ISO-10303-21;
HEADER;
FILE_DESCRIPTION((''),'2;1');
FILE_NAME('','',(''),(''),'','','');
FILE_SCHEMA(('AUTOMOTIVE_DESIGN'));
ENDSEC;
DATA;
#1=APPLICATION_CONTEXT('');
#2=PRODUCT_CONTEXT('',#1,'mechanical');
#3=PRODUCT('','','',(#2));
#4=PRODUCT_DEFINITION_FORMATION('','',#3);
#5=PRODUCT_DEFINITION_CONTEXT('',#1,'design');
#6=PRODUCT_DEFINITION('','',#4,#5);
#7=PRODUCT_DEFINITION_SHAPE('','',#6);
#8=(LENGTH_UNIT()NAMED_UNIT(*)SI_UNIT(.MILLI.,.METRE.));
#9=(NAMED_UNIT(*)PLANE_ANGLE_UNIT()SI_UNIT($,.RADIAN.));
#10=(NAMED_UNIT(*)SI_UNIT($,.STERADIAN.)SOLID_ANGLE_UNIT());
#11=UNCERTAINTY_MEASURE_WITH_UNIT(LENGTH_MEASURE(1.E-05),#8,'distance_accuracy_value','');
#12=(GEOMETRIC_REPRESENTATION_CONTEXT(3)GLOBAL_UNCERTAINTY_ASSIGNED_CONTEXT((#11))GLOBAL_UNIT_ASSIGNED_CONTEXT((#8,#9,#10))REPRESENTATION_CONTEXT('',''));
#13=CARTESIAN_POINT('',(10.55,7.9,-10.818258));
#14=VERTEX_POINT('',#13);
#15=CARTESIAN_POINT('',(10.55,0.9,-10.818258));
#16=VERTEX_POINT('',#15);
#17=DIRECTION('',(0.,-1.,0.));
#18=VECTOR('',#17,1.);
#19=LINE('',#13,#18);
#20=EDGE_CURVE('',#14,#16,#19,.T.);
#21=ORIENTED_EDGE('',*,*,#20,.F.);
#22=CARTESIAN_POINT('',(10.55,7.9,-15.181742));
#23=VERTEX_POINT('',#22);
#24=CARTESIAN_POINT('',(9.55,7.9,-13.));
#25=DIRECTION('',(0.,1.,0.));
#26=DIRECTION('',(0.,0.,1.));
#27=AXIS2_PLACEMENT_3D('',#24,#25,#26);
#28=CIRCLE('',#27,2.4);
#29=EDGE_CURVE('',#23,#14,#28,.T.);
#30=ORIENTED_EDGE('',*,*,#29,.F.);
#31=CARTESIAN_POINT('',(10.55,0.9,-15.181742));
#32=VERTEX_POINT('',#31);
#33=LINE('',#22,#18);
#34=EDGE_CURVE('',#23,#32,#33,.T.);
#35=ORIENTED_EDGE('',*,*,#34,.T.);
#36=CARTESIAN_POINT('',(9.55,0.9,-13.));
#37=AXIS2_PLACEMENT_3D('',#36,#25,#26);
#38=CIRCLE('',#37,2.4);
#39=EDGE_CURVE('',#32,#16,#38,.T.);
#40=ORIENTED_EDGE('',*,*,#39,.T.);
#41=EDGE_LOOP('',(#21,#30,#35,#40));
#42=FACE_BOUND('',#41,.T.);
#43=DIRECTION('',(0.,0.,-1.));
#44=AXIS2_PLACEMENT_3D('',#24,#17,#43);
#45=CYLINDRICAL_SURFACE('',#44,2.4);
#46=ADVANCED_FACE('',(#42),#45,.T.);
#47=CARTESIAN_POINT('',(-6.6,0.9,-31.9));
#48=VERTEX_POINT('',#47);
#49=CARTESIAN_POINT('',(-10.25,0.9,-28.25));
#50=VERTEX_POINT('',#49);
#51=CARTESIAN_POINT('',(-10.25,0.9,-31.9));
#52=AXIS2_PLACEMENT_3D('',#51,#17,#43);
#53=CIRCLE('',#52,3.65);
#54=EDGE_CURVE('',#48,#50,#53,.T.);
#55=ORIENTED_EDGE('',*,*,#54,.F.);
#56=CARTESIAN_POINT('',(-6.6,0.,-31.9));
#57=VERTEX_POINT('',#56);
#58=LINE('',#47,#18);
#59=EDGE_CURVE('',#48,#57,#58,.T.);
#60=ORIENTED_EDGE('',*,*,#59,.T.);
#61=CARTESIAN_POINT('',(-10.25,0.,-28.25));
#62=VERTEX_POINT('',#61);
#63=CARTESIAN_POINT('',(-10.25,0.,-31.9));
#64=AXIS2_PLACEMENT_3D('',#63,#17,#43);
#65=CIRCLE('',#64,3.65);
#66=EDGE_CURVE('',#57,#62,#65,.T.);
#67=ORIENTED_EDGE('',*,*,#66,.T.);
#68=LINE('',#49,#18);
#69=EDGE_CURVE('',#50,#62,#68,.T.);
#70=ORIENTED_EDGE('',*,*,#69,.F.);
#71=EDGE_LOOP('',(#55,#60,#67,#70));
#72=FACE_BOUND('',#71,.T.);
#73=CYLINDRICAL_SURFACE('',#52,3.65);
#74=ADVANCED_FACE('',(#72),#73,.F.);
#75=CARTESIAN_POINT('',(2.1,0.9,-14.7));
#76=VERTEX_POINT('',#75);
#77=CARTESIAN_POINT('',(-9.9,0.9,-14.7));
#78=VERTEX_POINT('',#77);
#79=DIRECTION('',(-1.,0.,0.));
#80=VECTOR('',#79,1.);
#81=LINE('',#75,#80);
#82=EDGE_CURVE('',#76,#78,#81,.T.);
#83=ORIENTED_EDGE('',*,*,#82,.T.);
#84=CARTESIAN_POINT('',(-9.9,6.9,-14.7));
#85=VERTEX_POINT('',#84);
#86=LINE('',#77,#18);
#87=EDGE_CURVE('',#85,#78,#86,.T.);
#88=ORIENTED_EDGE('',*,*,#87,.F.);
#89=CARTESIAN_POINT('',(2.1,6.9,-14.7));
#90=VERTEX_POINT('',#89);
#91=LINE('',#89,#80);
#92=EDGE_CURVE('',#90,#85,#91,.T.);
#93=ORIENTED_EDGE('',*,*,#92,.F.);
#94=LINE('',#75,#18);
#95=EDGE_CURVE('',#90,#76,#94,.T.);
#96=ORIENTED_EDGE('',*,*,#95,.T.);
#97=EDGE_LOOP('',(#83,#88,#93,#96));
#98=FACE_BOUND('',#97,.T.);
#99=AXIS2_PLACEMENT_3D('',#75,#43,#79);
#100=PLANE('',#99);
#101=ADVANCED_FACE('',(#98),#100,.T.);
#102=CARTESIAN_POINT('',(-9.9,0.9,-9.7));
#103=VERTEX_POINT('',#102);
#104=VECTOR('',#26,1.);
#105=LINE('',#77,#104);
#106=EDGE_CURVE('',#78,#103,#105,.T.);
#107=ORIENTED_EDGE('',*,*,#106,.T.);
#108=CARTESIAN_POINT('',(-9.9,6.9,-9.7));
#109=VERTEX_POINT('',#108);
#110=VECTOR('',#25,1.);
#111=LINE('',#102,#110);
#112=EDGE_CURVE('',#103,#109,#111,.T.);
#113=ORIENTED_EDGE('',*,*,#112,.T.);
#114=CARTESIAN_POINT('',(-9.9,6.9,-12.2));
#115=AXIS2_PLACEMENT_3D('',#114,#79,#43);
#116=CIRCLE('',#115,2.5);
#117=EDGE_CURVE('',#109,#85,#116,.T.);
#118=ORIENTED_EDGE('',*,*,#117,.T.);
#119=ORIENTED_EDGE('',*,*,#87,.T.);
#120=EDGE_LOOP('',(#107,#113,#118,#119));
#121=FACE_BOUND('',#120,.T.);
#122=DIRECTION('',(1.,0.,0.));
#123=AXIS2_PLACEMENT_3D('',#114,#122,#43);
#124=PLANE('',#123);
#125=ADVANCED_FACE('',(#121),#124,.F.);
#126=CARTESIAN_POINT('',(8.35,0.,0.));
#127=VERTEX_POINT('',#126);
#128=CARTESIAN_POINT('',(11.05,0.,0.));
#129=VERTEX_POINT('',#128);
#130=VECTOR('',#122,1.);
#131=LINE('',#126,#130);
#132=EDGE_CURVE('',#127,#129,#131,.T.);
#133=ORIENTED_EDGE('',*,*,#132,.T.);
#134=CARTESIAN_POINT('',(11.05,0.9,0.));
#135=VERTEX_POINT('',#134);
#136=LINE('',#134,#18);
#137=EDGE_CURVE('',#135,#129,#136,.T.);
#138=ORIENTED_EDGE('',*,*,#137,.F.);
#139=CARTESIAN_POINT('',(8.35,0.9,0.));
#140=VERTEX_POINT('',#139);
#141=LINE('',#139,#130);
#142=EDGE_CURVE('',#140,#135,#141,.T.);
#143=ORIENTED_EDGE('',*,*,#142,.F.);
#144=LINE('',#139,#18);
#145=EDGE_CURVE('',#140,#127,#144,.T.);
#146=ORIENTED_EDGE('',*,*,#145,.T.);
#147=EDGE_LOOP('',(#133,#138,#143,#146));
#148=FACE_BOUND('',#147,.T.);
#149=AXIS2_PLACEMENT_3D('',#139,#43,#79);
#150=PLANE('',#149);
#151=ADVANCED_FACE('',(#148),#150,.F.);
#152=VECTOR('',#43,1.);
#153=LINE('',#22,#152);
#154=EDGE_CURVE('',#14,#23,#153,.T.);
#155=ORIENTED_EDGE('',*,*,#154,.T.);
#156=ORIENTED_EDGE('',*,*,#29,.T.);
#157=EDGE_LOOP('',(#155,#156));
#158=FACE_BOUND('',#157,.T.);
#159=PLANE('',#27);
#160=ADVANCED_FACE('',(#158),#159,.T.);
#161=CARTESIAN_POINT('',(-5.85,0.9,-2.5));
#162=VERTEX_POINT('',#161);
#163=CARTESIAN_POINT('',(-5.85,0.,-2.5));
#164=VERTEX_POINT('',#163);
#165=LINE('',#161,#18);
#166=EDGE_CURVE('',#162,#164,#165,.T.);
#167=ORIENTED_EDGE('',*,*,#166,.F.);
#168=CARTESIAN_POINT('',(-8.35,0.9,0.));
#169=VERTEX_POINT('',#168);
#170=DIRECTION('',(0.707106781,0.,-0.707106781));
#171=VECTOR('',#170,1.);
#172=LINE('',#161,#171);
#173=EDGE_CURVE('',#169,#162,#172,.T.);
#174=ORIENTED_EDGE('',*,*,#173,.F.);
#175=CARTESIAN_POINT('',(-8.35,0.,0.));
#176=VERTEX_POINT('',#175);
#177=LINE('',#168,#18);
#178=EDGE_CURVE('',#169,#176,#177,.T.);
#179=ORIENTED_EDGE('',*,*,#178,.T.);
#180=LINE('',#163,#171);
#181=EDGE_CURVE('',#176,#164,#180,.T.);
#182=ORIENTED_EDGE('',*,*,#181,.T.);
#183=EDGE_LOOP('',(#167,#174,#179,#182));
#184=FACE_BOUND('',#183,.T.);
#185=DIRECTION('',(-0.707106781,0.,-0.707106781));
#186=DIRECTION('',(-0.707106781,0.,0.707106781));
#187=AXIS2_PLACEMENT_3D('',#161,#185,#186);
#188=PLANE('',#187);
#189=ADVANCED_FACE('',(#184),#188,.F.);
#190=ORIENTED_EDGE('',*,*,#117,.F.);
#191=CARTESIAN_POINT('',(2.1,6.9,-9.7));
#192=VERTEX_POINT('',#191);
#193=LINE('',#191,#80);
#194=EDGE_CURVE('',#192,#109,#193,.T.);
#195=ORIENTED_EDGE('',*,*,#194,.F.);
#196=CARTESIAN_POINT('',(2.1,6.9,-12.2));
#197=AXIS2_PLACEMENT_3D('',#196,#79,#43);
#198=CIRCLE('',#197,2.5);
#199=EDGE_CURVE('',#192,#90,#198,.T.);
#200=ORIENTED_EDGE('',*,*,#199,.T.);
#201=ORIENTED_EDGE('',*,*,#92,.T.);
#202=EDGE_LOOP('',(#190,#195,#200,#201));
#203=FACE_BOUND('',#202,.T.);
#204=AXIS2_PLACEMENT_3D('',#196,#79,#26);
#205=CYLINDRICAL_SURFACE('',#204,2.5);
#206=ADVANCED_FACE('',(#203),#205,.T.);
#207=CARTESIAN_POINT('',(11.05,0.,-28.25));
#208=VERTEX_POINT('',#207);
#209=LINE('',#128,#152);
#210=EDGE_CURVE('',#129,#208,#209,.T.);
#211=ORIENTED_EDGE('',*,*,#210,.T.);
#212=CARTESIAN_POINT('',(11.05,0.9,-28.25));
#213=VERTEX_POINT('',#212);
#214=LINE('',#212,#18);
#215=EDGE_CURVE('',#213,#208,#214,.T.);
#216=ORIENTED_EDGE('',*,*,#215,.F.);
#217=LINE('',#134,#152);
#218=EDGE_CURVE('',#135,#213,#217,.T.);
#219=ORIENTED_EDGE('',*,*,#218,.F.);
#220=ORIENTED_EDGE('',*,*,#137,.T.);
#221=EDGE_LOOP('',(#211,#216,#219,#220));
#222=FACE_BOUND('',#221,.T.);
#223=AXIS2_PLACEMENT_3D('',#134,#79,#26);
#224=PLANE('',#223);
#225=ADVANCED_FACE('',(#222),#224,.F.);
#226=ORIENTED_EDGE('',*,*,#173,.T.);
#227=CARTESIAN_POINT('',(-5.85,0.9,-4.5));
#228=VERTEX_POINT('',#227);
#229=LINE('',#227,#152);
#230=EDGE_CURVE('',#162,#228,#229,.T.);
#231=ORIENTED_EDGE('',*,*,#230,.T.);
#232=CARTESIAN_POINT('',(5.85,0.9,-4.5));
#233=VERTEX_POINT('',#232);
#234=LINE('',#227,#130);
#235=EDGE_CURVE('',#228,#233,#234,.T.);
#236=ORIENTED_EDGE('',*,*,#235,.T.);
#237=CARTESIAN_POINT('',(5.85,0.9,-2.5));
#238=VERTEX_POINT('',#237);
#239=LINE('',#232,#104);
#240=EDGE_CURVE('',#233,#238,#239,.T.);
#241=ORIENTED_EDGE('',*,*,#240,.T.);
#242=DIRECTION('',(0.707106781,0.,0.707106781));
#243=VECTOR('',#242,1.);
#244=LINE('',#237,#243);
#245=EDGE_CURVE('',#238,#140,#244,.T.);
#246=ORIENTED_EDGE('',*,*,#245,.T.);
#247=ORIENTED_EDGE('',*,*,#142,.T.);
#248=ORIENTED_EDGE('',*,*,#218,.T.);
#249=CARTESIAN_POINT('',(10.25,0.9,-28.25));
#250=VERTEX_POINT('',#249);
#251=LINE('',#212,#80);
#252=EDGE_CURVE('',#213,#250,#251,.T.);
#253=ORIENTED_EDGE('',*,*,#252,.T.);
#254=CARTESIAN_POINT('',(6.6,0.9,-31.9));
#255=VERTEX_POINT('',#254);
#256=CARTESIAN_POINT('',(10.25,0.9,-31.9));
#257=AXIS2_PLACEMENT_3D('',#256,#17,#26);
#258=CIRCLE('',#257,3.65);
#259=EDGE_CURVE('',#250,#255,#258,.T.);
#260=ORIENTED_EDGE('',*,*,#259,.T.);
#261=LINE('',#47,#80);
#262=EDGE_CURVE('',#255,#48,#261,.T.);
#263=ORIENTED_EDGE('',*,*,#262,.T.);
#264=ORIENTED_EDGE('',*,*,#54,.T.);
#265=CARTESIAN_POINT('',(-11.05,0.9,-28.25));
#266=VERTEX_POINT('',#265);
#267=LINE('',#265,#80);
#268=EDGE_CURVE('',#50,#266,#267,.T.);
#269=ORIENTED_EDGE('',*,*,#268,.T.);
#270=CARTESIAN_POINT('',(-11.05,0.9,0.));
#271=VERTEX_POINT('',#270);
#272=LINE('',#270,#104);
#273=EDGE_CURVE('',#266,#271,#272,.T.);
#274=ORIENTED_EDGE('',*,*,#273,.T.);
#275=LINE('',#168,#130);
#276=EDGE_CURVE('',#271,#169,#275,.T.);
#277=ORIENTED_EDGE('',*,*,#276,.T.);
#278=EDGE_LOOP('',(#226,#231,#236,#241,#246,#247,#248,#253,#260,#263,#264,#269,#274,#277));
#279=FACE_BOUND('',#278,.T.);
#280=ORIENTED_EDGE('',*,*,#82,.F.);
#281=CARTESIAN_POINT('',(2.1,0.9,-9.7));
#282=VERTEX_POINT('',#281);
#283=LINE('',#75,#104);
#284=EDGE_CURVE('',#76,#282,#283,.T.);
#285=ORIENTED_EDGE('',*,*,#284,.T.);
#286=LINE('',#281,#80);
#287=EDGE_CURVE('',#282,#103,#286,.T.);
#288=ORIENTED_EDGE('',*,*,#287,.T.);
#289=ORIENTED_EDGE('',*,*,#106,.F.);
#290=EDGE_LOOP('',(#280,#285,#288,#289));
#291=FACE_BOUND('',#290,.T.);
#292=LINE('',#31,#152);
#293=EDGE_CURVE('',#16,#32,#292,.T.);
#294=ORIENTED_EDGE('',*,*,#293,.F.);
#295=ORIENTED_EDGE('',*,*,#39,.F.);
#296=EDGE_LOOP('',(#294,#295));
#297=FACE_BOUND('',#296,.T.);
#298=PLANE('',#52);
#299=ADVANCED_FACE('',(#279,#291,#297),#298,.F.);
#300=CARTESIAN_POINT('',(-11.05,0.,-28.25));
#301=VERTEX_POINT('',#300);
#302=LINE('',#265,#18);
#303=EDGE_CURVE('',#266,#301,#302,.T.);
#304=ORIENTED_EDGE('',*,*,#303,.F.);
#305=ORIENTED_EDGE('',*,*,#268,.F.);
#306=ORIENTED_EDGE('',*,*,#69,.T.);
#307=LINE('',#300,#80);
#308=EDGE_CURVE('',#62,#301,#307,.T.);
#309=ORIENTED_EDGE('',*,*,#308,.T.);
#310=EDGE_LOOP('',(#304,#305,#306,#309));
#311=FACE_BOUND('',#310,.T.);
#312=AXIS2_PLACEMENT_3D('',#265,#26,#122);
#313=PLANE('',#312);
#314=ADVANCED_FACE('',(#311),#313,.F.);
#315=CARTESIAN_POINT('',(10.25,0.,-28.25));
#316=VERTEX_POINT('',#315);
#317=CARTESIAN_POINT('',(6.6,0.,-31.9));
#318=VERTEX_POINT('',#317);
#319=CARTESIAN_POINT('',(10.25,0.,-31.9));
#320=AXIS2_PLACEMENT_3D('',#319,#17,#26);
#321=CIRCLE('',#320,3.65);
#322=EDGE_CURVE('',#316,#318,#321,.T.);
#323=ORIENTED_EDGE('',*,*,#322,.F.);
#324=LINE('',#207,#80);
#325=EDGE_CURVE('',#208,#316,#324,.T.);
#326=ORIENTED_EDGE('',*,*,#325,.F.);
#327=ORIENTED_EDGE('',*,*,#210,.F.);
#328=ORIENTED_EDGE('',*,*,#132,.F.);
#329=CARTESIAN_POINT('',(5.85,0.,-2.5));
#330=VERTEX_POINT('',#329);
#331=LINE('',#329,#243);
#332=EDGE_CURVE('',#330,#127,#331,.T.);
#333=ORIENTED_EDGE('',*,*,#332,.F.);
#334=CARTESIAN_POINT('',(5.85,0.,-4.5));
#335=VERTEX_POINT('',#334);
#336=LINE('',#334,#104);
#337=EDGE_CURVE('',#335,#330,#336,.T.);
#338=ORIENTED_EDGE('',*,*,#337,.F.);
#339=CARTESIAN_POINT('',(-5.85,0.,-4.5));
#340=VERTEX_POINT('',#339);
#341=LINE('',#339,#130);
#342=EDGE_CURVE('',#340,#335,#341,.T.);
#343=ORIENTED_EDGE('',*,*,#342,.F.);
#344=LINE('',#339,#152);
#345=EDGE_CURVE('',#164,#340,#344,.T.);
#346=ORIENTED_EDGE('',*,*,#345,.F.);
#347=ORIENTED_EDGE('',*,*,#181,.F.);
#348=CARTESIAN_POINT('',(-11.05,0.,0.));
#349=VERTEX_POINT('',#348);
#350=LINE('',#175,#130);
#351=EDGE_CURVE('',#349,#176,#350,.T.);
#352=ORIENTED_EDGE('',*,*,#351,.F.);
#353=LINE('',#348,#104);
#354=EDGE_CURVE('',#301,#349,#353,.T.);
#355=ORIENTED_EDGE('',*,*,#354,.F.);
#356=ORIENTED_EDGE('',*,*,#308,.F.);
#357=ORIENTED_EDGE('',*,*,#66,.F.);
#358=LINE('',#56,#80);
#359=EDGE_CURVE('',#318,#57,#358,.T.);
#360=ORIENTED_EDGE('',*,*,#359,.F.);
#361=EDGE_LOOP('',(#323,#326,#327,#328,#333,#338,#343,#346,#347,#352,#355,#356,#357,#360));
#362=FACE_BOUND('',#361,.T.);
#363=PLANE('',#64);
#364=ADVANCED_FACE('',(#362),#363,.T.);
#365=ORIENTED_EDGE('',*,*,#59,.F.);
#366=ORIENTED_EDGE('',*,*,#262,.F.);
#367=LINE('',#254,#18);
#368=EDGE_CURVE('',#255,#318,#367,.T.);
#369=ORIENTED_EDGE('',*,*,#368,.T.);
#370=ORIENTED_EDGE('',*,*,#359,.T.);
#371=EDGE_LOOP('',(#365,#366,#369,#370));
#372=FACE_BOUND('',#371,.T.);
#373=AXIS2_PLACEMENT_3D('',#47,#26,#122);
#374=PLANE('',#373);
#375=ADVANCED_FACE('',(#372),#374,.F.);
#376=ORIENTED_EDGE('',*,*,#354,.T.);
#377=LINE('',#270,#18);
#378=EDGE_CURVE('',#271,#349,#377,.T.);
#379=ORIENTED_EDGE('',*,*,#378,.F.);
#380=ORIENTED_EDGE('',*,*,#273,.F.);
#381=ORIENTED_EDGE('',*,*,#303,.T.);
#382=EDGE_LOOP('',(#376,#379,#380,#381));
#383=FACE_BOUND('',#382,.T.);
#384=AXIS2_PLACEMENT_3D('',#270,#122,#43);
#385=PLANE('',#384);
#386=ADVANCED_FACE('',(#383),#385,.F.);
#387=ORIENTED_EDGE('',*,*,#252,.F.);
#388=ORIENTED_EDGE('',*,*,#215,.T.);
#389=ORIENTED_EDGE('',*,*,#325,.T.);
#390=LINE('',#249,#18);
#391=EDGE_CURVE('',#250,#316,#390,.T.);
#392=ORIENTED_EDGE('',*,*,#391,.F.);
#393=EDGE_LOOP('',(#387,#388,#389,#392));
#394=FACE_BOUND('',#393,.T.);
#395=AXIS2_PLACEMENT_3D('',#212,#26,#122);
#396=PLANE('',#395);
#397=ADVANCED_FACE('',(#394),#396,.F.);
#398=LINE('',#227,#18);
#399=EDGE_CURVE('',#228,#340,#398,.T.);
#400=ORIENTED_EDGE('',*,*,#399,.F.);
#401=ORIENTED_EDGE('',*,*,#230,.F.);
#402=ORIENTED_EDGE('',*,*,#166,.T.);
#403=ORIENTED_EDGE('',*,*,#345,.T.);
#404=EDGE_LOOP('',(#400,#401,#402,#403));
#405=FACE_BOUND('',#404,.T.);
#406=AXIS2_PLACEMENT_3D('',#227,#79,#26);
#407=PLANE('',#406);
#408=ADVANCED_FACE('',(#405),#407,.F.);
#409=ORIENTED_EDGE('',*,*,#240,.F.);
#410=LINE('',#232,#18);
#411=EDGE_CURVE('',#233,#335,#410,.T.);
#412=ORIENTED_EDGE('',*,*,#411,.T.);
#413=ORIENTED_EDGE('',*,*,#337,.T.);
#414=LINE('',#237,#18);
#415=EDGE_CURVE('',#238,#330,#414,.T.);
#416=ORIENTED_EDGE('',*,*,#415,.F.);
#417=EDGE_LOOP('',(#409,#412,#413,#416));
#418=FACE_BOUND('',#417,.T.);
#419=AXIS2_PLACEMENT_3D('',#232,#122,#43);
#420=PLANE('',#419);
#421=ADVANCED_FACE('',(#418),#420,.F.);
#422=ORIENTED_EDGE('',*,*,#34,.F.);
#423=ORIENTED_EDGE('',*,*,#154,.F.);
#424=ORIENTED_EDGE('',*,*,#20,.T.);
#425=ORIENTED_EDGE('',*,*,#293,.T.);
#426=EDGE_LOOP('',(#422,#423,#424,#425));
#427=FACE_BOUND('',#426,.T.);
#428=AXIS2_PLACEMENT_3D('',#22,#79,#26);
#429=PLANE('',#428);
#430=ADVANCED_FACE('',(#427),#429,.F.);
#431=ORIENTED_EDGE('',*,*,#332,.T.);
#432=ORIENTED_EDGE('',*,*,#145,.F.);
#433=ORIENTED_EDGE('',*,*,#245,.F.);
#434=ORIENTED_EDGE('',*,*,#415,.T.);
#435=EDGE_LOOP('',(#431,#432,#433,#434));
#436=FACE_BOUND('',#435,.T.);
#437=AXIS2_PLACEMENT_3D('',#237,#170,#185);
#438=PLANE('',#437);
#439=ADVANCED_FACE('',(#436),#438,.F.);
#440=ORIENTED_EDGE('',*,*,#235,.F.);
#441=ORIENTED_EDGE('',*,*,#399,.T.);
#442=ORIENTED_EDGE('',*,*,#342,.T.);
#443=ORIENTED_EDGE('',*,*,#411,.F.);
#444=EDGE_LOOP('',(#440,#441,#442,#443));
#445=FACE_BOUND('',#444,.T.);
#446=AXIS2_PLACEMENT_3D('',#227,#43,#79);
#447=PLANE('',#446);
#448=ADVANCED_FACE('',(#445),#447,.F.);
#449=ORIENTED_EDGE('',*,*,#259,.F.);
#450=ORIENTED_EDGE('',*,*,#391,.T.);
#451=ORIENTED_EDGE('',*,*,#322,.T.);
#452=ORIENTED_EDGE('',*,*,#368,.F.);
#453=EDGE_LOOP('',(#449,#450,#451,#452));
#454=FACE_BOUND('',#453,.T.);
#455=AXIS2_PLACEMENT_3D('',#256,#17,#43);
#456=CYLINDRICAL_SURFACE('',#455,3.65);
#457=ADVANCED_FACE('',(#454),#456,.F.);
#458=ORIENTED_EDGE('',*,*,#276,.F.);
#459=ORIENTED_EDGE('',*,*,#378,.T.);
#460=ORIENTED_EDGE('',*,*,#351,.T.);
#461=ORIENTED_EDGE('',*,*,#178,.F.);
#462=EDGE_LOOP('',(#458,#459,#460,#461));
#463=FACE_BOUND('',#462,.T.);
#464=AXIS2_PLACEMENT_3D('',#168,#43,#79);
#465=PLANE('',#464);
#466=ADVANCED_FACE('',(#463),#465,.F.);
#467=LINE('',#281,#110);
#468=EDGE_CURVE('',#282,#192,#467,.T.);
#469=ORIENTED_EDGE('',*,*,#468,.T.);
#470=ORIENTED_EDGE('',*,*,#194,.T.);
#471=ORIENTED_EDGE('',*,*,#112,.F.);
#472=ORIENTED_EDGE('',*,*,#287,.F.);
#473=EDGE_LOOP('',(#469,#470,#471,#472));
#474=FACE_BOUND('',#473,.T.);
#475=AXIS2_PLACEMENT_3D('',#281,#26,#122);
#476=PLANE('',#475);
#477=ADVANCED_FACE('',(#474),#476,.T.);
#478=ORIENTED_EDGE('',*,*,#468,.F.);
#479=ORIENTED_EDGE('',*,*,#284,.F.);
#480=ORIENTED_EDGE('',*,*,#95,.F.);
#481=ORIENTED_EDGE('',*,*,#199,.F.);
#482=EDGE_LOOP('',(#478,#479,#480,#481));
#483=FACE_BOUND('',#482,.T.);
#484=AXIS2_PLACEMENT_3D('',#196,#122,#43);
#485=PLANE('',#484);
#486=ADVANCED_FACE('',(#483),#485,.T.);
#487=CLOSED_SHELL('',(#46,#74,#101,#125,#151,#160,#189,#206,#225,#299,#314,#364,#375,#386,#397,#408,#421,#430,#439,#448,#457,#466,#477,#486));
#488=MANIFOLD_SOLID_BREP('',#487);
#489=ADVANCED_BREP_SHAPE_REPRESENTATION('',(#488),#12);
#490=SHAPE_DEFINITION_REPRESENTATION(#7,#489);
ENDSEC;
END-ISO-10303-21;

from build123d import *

# Parameters (mm, degrees)
BOSS_EXTRUDE1_DEPTH = 0.9
BOSS_EXTRUDE4_DEPTH = 12
BOSS_EXTRUDE5_DEPTH = 7


with BuildPart() as part:
    # Sketch1 → Boss-Extrude1 (new body)
    with BuildSketch(Plane(origin=(0, 0, 0), x_dir=(1, 0, 0), z_dir=(0, 1, 0))):
        with BuildLine():
            Line((-11.05, 0), (-11.05, 28.25))
            Line((-11.05, 28.25), (-10.25, 28.25))
            ThreePointArc((-10.25, 28.25), (-7.669060249, 29.319060249), (-6.6, 31.9))
            Line((-6.6, 31.9), (6.6, 31.9))
            ThreePointArc((6.6, 31.9), (7.669060249, 29.319060249), (10.25, 28.25))
            Line((10.25, 28.25), (11.05, 28.25))
            Line((11.05, 28.25), (11.05, 0))
            Line((11.05, 0), (8.35, 0))
            Line((8.35, 0), (5.85, 2.5))
            Line((5.85, 2.5), (5.85, 4.5))
            Line((5.85, 4.5), (-5.85, 4.5))
            Line((-5.85, 4.5), (-5.85, 2.5))
            Line((-5.85, 2.5), (-8.35, 0))
            Line((-8.35, 0), (-11.05, 0))
        make_face()
    extrude(amount=BOSS_EXTRUDE1_DEPTH)

    # Sketch4 → Boss-Extrude4 (add)
    with BuildSketch(Plane.ZY.offset(9.9)):
        with BuildLine():
            Line((-9.7, 0.9), (-9.7, 6.9))
            ThreePointArc((-9.7, 6.9), (-12.2, 9.4), (-14.7, 6.9))
            Line((-14.7, 6.9), (-14.7, 0.9))
            Line((-14.7, 0.9), (-9.7, 0.9))
        make_face()
    extrude(amount=-BOSS_EXTRUDE4_DEPTH)

    # Sketch5 → Boss-Extrude5 (add)
    with BuildSketch(Plane(origin=(0, 0.9, 0), x_dir=(1, 0, 0), z_dir=(0, 1, 0))):
        with BuildLine():
            Line((10.55, 15.181742423), (10.55, 10.818257577))
            ThreePointArc((10.55, 10.818257577), (7.15, 13), (10.55, 15.181742423))
        make_face()
    extrude(amount=BOSS_EXTRUDE5_DEPTH)


solid = part.part
